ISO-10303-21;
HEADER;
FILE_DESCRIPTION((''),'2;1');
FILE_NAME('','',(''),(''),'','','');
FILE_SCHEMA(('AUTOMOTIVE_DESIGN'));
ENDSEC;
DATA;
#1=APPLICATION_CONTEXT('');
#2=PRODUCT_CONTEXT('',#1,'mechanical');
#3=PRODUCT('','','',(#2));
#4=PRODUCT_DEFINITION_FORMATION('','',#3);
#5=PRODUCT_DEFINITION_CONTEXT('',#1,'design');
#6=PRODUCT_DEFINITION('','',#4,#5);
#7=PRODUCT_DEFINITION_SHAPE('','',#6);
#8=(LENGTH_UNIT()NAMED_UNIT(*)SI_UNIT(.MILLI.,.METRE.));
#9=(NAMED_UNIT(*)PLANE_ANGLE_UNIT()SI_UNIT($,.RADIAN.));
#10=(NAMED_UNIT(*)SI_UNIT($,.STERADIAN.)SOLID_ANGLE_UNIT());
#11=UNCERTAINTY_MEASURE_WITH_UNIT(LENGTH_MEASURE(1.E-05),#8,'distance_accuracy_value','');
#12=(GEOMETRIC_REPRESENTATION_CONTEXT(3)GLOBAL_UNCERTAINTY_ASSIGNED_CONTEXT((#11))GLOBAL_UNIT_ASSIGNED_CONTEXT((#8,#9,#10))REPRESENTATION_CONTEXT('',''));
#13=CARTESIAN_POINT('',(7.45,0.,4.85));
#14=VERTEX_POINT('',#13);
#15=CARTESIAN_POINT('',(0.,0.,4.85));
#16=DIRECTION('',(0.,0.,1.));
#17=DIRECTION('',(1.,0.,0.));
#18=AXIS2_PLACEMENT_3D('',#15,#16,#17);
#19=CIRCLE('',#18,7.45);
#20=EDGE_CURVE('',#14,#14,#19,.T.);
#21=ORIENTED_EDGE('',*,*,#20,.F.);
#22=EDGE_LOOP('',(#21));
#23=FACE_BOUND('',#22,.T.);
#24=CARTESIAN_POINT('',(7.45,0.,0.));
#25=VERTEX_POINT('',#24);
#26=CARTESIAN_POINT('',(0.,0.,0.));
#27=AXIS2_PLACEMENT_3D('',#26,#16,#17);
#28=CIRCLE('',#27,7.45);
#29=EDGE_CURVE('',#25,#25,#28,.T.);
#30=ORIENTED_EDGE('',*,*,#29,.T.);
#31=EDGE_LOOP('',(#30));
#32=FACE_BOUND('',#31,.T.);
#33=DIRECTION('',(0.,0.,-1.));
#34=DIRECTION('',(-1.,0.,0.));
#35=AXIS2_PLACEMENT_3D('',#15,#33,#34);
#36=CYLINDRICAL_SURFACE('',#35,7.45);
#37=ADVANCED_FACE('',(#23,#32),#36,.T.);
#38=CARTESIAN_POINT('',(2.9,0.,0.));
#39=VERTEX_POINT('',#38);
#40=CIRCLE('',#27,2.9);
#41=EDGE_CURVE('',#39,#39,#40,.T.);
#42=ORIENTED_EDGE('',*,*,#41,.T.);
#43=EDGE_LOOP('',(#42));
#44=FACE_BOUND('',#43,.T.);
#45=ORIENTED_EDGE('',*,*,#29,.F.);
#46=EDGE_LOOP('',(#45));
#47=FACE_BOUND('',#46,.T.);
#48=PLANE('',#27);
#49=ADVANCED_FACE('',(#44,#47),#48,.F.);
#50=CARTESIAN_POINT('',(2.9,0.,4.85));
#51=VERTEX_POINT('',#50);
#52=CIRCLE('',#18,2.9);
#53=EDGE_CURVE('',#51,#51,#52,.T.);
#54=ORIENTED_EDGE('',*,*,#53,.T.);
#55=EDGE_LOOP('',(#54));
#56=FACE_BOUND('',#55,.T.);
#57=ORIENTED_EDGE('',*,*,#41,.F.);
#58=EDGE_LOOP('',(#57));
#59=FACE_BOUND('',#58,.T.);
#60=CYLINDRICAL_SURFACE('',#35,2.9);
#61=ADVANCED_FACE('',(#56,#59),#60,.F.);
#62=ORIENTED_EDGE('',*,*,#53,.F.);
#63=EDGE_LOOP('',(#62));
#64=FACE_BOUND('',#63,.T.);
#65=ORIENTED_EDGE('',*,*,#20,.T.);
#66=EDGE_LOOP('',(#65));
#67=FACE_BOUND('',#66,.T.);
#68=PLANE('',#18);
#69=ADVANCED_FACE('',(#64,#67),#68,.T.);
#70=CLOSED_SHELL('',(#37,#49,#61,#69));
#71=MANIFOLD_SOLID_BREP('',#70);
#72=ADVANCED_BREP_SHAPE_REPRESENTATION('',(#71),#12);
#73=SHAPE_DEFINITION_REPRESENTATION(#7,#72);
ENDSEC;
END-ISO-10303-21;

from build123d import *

# Parameters (mm, degrees)
ESBO_O1_R                = 7.45
ESBO_O1_R_2              = 2.9
RESSALTO_EXTRUS_O1_DEPTH = 4.85


with BuildPart() as part:
    # Esboço1 → Ressalto-extrusão1 (new body)
    with BuildSketch(Plane.XY):
        Circle(ESBO_O1_R)
        Circle(ESBO_O1_R_2, mode=Mode.SUBTRACT)
    extrude(amount=RESSALTO_EXTRUS_O1_DEPTH)


solid = part.part
